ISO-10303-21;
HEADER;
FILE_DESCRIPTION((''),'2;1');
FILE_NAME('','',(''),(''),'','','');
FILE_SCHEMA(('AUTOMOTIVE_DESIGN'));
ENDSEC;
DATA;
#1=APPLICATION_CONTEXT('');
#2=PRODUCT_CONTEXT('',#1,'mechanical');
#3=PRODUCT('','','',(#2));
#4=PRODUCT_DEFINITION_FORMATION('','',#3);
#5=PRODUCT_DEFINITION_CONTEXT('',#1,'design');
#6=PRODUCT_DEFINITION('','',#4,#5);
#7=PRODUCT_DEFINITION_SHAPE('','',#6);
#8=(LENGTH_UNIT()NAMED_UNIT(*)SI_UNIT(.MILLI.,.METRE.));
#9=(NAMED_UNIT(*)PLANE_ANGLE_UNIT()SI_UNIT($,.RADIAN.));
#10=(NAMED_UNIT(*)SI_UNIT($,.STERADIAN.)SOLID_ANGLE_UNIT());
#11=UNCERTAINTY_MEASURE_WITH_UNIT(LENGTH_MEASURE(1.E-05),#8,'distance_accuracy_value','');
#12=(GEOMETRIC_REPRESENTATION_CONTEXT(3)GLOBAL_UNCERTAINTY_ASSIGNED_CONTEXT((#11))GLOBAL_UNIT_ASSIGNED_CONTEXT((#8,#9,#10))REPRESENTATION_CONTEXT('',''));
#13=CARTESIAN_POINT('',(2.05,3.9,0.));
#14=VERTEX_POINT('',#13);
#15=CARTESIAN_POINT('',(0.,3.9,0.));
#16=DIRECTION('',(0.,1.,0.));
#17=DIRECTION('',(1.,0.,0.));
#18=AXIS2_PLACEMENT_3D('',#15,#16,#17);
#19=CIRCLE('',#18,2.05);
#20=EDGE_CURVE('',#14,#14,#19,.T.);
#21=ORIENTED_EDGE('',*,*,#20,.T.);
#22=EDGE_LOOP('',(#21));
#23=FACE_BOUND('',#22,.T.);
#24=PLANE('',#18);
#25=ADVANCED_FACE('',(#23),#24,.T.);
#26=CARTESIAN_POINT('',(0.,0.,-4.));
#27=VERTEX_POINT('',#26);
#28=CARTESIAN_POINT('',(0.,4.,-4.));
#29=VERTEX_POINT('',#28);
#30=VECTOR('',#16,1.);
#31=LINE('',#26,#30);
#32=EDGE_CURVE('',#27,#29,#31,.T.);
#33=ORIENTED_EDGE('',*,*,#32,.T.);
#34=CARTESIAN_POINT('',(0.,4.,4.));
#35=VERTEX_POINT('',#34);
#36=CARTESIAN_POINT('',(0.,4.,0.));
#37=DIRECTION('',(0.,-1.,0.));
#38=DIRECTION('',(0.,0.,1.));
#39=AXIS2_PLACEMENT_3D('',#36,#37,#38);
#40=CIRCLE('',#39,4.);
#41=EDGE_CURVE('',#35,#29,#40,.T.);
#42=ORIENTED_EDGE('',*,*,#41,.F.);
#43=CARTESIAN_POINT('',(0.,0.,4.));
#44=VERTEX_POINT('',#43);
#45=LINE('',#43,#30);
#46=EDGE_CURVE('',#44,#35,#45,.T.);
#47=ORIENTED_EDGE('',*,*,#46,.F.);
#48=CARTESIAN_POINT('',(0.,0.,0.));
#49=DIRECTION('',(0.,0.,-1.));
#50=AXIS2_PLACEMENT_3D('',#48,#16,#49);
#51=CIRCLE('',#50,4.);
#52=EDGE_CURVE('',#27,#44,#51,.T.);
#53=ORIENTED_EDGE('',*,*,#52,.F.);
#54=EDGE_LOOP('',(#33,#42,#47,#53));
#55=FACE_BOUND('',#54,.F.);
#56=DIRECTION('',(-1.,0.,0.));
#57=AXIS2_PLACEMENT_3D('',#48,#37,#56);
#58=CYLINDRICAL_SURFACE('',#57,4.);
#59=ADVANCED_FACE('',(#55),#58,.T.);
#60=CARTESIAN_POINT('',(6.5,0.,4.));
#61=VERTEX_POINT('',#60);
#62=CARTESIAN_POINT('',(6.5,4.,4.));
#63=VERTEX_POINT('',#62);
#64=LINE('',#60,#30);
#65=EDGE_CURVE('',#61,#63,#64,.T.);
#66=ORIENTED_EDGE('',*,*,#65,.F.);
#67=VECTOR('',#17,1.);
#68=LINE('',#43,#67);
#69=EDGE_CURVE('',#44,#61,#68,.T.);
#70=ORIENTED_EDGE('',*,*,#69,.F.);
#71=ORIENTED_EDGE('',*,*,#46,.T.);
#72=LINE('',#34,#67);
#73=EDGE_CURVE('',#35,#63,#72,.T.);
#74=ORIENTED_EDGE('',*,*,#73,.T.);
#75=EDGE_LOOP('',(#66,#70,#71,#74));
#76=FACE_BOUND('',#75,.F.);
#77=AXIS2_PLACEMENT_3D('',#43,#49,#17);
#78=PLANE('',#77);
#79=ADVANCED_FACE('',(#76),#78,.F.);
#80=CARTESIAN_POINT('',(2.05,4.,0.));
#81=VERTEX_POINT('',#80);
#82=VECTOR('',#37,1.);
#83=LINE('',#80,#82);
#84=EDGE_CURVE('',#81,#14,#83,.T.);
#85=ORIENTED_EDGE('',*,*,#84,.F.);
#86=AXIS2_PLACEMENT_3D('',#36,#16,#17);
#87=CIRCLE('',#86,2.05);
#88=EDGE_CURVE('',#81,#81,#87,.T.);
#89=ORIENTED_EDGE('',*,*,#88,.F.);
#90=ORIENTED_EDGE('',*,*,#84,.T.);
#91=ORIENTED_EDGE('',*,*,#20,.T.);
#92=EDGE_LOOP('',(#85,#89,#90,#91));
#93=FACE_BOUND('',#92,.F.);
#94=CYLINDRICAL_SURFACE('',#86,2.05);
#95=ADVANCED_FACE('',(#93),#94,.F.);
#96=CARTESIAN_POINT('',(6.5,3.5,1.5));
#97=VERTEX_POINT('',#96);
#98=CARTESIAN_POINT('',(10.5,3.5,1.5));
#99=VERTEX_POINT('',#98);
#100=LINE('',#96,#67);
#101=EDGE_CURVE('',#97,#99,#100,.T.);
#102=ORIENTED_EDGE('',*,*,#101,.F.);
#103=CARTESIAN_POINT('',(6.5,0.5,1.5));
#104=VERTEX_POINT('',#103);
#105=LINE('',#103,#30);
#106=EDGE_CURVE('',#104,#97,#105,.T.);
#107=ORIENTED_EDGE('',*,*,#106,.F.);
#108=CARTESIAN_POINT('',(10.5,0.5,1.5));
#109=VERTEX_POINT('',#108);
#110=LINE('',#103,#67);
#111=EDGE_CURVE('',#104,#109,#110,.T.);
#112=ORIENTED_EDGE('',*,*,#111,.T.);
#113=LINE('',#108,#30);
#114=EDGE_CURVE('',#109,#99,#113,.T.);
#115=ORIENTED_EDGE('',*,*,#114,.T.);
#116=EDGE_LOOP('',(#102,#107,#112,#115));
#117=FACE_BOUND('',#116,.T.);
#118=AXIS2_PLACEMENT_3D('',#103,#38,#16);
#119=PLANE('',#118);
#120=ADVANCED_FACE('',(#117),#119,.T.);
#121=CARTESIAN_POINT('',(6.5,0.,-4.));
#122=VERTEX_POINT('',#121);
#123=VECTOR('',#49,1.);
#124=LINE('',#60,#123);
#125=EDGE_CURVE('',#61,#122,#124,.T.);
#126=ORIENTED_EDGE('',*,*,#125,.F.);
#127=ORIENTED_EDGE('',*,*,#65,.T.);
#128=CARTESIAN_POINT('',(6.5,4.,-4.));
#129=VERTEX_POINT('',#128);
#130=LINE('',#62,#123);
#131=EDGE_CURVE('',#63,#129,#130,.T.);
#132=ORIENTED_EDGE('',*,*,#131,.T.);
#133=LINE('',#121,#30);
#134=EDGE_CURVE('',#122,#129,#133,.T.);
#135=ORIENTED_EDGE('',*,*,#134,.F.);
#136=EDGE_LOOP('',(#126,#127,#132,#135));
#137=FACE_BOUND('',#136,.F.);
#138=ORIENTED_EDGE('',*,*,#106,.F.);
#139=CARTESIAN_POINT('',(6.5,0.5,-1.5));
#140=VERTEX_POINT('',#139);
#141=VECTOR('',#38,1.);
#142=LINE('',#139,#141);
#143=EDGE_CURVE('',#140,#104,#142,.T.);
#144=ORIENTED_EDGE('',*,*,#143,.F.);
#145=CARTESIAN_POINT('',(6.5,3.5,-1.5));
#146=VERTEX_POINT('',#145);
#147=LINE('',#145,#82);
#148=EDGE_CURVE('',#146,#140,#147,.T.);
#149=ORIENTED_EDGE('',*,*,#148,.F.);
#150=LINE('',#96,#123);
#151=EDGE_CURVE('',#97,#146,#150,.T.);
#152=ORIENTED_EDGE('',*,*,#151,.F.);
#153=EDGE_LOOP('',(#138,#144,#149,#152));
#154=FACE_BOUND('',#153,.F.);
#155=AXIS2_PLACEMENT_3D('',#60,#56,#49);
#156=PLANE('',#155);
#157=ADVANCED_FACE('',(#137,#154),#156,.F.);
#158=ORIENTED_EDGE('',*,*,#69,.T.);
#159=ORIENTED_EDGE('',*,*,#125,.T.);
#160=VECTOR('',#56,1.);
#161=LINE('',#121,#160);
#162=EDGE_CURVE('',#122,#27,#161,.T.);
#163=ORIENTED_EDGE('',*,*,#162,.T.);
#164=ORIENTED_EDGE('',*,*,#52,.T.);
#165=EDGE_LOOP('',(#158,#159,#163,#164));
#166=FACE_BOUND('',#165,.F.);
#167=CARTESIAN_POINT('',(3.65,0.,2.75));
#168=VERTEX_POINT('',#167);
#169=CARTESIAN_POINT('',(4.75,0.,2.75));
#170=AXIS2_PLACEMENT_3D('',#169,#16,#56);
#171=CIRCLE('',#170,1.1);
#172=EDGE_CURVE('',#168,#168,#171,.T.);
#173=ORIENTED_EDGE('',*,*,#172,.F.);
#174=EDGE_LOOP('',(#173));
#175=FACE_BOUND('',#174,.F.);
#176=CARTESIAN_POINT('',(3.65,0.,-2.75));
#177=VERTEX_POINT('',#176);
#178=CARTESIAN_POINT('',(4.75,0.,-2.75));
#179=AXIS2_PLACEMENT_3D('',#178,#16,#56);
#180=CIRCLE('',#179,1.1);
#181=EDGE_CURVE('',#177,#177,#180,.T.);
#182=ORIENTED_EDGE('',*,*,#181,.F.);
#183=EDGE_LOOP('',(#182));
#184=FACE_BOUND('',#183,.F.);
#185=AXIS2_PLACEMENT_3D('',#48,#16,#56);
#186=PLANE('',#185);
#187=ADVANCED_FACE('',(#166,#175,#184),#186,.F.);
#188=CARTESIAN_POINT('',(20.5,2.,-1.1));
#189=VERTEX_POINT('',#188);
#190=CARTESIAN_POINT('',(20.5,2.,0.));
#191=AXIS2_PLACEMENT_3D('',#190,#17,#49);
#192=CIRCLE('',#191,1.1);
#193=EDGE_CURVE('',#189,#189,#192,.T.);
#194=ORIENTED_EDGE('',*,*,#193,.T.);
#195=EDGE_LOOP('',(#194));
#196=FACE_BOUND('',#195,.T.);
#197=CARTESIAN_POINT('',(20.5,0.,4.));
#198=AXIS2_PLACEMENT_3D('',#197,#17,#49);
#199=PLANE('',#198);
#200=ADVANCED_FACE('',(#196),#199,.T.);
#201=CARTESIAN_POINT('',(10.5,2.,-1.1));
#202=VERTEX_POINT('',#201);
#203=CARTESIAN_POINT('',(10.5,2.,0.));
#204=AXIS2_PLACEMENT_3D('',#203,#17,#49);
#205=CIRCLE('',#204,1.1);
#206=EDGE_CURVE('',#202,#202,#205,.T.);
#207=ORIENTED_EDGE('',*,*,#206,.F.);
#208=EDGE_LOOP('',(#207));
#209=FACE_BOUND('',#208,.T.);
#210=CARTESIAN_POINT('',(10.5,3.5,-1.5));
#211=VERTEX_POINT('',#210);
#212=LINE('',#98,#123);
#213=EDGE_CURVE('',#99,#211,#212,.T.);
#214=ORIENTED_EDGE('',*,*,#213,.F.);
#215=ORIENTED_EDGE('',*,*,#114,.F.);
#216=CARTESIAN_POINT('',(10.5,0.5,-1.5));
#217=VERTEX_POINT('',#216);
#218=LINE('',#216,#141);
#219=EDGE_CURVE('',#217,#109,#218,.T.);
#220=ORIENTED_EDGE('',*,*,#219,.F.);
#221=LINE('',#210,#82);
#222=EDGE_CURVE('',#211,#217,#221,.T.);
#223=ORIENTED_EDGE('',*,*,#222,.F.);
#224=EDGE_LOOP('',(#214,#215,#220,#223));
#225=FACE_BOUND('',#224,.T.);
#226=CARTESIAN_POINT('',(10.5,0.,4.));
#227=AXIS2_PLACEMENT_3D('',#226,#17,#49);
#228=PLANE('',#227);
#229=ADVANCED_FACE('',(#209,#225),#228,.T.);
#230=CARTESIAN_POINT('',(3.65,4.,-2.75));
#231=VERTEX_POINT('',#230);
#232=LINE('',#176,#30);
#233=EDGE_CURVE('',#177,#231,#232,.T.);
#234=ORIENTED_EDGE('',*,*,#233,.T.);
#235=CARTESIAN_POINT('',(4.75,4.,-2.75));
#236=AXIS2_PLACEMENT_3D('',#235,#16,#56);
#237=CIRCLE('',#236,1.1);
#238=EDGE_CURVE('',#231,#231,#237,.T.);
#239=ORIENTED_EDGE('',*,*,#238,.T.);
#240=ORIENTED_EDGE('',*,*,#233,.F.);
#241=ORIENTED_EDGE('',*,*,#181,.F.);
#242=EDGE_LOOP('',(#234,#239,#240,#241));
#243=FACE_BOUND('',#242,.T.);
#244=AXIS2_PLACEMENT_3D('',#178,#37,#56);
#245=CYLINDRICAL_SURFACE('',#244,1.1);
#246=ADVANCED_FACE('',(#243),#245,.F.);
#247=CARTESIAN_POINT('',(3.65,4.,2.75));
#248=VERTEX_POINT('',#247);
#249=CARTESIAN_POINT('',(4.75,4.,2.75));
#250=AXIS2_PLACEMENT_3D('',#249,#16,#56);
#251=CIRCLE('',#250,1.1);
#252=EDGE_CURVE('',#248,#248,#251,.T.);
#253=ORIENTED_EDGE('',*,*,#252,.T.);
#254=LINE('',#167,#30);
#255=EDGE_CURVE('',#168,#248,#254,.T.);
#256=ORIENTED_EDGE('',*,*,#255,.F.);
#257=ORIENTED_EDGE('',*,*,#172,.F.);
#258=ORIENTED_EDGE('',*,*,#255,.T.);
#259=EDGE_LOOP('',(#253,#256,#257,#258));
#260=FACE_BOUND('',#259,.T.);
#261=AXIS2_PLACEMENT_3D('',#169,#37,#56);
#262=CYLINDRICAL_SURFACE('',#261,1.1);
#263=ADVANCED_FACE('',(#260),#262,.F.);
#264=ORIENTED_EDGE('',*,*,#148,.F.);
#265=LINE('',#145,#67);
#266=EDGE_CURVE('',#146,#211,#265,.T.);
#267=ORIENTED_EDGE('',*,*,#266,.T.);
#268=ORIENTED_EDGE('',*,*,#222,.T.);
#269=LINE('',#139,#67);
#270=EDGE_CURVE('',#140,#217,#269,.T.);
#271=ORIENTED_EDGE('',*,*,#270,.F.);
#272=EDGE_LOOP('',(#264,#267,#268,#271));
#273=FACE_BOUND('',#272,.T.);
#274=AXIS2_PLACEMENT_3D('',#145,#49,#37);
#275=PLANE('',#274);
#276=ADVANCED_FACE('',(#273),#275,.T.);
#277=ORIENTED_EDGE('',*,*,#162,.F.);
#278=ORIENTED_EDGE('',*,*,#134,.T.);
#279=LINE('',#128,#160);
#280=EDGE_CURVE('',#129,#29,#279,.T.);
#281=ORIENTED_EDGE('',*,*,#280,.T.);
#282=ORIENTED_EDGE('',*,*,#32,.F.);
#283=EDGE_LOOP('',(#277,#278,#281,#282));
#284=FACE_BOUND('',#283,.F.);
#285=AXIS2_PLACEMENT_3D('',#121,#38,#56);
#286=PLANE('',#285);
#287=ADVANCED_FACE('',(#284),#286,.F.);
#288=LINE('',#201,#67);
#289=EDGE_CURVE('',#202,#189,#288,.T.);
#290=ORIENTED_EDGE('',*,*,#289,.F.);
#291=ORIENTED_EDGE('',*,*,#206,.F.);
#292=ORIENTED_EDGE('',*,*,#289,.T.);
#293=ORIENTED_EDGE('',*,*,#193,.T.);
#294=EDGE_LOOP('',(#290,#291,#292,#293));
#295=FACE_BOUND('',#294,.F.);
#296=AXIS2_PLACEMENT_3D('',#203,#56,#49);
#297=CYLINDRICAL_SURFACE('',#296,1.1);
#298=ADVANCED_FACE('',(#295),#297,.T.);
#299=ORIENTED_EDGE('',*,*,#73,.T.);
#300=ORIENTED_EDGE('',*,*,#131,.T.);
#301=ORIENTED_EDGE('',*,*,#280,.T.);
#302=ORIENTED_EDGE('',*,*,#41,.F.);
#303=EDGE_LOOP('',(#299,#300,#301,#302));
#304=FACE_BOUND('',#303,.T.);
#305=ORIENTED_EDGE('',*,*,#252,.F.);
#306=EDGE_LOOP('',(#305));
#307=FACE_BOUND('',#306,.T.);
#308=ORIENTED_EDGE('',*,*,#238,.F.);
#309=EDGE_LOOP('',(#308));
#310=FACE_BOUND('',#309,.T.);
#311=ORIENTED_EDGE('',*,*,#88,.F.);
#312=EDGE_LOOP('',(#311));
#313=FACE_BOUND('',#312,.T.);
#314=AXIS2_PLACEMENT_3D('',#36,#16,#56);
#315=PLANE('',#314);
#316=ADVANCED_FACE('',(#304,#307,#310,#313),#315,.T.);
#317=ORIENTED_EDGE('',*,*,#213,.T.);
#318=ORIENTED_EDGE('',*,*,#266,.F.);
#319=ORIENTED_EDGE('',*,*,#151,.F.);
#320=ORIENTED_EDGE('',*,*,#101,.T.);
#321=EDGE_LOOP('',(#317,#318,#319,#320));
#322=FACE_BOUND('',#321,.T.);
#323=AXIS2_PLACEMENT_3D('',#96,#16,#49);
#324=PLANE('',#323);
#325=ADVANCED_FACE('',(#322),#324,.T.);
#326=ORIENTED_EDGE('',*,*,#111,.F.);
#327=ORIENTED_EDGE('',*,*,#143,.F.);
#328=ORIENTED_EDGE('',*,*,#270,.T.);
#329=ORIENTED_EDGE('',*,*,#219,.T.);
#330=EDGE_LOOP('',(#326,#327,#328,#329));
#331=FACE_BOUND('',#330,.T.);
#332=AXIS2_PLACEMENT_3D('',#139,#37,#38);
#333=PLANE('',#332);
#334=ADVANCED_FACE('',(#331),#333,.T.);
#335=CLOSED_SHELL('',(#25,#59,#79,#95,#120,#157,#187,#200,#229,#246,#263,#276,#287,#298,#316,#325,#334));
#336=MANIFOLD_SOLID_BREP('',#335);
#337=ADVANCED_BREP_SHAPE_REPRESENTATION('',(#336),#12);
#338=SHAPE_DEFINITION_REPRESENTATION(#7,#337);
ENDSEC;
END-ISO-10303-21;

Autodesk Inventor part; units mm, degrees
ref_plane "YZ Plane" through (0, 0, 0) normal (1, 0, 0) x (0, 1, 0)
ref_plane "XZ Plane" through (0, 0, 0) normal (0, 1, 0) x (-1, 0, 0)
ref_plane "XY Plane" through (0, 0, 0) normal (0, 0, 1) x (1, 0, 0)
sketch "Sketch1" plane through (0, 0, 0) normal (0, 1, 0) x (-1, 0, 0)
  circle A0 centre (0, 0) radius 4
  line L0 (0, 4) -> (-6.5, 4)
  line L1 (-6.5, 4) -> (-6.5, -4)
  line L2 (-6.5, -4) -> (0, -4)
  line L3 (0, -4) -> (0, 4)
  circle A1 centre (-4.75, 2.75) radius 1.1
  circle A2 centre (-4.75, -2.75) radius 1.1
  point P0 (-6.5, 0)
  dimension "d0" = 8
  dimension "d1" = 6.5
  dimension "d2" = 5.5
  dimension "d3" = 2.75
  dimension "d4" = 1.75
  dimension "d5" = 1.75
  dimension "d6" = 2.2
  dimension "d7" = 2.2
extrude "Extrusion1" add sketch "Sketch1" along normal blind 4
sketch "Sketch2" plane through (6.5, 0, 4) normal (1, 0, 0) x (0, 0, -1)
  line L0 (2.5, 3.5) -> (5.5, 3.5)
  line L1 (5.5, 3.5) -> (5.5, 0.5)
  line L2 (5.5, 0.5) -> (2.5, 0.5)
  line L3 (2.5, 0.5) -> (2.5, 3.5)
  line L4 (0, 4) -> (8, 4) projected
  line L5 (8, 0) -> (8, 4) projected
  point P0 (4, 0)
  dimension "d10" = 3
  dimension "d11" = 3
  dimension "d12" = 0.5
  dimension "d13" = 5.5
extrude "Extrusion2" add sketch "Sketch2" along normal blind 4
sketch "Sketch3" plane through (0, 4, 0) normal (0, 1, 0) x (1, 0, 0)
  circle A0 centre (0, 0) radius 2.05
  dimension "d16" = 4.1
extrude "Extrusion3" cut sketch "Sketch3" against normal blind 0.1
sketch "Sketch4" plane through (10.5, 0, 4) normal (1, 0, 0) x (0, 0, -1)
  circle A0 centre (4, 2) radius 1.1
  point P0 (4, 0)
  dimension "d19" = 2.2
extrude "Extrusion4" add sketch "Sketch4" along normal blind 10
equation "\"d3\" = 0.5 * d2"
equation "\"d5\" = d4"
equation "\"d6\" = d7"
properties part number "CapacitiveSensor"
